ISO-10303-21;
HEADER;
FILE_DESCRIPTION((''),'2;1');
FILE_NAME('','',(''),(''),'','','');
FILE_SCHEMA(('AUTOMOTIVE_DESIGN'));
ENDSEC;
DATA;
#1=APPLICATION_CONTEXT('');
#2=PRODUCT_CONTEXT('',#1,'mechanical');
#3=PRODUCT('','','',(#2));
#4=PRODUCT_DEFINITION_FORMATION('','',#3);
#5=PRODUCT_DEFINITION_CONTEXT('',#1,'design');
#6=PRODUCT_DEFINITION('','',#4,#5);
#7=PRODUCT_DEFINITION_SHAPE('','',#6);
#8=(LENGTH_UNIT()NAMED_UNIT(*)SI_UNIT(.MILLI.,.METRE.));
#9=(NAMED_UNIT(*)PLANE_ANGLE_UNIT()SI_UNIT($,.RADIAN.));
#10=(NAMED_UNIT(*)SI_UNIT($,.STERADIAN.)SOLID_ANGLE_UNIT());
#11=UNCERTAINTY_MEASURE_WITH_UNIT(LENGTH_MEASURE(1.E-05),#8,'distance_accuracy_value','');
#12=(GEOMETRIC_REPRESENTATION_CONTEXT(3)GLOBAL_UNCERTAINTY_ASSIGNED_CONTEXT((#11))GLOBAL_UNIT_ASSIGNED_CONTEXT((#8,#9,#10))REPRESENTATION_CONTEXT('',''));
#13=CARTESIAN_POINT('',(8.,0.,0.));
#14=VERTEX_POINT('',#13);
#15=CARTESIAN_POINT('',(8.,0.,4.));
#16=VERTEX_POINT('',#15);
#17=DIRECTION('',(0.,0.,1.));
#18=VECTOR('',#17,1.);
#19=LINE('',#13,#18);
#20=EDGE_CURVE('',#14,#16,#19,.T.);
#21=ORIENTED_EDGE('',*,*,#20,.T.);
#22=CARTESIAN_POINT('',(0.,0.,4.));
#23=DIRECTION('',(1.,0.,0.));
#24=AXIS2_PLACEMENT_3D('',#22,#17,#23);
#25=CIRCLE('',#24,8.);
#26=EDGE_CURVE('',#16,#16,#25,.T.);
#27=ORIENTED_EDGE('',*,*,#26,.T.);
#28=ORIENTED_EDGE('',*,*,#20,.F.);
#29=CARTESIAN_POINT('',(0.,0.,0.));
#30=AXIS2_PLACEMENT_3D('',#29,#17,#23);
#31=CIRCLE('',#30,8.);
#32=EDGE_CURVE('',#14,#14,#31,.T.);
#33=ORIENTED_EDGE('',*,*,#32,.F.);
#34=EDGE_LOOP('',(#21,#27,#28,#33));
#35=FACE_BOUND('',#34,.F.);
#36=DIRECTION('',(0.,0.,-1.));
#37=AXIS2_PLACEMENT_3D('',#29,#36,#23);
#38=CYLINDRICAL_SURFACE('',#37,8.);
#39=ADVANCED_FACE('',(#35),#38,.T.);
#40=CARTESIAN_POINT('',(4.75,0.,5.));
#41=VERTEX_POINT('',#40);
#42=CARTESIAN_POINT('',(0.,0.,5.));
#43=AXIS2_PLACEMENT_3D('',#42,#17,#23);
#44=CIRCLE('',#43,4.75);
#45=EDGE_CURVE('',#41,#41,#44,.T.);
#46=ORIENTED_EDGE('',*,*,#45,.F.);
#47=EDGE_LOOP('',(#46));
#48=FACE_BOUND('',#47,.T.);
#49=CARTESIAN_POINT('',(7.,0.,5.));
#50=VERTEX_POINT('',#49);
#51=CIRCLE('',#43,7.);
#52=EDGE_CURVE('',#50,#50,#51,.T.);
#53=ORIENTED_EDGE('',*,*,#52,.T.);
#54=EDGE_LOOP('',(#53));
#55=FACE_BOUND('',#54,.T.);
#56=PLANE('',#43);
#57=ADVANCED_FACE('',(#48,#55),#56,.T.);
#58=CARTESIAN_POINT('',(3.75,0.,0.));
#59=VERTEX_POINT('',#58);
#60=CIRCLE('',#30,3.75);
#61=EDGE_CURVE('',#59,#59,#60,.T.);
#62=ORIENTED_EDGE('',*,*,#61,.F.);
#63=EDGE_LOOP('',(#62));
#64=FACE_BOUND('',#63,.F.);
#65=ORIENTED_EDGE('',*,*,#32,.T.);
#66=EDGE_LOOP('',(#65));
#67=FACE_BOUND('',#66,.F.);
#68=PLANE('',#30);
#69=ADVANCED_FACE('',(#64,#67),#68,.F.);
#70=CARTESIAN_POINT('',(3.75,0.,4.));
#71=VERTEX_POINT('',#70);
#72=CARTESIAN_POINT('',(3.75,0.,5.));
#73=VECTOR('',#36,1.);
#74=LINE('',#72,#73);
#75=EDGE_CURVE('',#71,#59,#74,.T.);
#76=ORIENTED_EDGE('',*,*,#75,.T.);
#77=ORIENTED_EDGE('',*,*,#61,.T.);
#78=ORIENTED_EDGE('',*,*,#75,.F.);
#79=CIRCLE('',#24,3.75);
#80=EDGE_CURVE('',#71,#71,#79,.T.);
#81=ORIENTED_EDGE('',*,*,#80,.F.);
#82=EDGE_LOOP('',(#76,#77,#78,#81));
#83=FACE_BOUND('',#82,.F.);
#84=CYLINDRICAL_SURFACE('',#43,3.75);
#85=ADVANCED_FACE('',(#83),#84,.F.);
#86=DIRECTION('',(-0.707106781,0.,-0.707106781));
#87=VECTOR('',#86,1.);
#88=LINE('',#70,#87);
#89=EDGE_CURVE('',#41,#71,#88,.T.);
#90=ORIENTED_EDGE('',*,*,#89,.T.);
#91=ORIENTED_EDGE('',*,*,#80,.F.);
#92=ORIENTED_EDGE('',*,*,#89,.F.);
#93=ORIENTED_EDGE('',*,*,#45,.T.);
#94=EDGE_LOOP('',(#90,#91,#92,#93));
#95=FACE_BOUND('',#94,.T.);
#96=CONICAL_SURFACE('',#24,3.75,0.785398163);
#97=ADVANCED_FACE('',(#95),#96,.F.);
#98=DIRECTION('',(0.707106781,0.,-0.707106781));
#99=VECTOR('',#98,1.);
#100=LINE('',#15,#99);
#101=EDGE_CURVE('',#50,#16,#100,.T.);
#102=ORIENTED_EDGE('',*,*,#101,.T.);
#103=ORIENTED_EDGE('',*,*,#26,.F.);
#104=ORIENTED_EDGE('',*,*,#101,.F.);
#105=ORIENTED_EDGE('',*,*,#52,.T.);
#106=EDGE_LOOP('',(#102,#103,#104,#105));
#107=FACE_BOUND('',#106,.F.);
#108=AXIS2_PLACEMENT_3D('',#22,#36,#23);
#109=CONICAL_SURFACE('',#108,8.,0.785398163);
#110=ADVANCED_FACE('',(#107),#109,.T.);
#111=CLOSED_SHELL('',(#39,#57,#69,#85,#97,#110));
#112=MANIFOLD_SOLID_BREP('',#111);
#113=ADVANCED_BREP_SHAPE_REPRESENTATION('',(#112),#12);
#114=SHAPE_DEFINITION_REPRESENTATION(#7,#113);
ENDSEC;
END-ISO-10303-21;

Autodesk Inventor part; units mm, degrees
ref_plane "YZ Plane" through (0, 0, 0) normal (1, 0, 0) x (0, 1, 0)
ref_plane "XZ Plane" through (0, 0, 0) normal (0, 1, 0) x (-1, 0, 0)
ref_plane "XY Plane" through (0, 0, 0) normal (0, 0, 1) x (1, 0, 0)
sketch "Sketch1" plane through (0, 0, 0) normal (0, 0, 1) x (1, 0, 0)
  circle A0 centre (0, 0) radius 8
  dimension "d0" = 16
extrude "Extrusion1" add sketch "Sketch1" along normal blind 5
sketch "Sketch2" plane through (0, 0, 5) normal (0, 0, 1) x (1, 0, 0)
  circle A0 centre (0, 0) radius 8 projected
  circle A1 centre (0, 0) radius 3.75
  dimension "d3" = 7.5
extrude "Extrusion2" cut sketch "Sketch2" against normal blind 5 contours A1
chamfer "Chamfer1" distance 1 angle 45 1 edges at (-3.75, 0, 5)
chamfer "Chamfer2" distance 1 angle 45 1 edges at (-8, 0, 5)
properties part number "SpoolHandle-stop1"
